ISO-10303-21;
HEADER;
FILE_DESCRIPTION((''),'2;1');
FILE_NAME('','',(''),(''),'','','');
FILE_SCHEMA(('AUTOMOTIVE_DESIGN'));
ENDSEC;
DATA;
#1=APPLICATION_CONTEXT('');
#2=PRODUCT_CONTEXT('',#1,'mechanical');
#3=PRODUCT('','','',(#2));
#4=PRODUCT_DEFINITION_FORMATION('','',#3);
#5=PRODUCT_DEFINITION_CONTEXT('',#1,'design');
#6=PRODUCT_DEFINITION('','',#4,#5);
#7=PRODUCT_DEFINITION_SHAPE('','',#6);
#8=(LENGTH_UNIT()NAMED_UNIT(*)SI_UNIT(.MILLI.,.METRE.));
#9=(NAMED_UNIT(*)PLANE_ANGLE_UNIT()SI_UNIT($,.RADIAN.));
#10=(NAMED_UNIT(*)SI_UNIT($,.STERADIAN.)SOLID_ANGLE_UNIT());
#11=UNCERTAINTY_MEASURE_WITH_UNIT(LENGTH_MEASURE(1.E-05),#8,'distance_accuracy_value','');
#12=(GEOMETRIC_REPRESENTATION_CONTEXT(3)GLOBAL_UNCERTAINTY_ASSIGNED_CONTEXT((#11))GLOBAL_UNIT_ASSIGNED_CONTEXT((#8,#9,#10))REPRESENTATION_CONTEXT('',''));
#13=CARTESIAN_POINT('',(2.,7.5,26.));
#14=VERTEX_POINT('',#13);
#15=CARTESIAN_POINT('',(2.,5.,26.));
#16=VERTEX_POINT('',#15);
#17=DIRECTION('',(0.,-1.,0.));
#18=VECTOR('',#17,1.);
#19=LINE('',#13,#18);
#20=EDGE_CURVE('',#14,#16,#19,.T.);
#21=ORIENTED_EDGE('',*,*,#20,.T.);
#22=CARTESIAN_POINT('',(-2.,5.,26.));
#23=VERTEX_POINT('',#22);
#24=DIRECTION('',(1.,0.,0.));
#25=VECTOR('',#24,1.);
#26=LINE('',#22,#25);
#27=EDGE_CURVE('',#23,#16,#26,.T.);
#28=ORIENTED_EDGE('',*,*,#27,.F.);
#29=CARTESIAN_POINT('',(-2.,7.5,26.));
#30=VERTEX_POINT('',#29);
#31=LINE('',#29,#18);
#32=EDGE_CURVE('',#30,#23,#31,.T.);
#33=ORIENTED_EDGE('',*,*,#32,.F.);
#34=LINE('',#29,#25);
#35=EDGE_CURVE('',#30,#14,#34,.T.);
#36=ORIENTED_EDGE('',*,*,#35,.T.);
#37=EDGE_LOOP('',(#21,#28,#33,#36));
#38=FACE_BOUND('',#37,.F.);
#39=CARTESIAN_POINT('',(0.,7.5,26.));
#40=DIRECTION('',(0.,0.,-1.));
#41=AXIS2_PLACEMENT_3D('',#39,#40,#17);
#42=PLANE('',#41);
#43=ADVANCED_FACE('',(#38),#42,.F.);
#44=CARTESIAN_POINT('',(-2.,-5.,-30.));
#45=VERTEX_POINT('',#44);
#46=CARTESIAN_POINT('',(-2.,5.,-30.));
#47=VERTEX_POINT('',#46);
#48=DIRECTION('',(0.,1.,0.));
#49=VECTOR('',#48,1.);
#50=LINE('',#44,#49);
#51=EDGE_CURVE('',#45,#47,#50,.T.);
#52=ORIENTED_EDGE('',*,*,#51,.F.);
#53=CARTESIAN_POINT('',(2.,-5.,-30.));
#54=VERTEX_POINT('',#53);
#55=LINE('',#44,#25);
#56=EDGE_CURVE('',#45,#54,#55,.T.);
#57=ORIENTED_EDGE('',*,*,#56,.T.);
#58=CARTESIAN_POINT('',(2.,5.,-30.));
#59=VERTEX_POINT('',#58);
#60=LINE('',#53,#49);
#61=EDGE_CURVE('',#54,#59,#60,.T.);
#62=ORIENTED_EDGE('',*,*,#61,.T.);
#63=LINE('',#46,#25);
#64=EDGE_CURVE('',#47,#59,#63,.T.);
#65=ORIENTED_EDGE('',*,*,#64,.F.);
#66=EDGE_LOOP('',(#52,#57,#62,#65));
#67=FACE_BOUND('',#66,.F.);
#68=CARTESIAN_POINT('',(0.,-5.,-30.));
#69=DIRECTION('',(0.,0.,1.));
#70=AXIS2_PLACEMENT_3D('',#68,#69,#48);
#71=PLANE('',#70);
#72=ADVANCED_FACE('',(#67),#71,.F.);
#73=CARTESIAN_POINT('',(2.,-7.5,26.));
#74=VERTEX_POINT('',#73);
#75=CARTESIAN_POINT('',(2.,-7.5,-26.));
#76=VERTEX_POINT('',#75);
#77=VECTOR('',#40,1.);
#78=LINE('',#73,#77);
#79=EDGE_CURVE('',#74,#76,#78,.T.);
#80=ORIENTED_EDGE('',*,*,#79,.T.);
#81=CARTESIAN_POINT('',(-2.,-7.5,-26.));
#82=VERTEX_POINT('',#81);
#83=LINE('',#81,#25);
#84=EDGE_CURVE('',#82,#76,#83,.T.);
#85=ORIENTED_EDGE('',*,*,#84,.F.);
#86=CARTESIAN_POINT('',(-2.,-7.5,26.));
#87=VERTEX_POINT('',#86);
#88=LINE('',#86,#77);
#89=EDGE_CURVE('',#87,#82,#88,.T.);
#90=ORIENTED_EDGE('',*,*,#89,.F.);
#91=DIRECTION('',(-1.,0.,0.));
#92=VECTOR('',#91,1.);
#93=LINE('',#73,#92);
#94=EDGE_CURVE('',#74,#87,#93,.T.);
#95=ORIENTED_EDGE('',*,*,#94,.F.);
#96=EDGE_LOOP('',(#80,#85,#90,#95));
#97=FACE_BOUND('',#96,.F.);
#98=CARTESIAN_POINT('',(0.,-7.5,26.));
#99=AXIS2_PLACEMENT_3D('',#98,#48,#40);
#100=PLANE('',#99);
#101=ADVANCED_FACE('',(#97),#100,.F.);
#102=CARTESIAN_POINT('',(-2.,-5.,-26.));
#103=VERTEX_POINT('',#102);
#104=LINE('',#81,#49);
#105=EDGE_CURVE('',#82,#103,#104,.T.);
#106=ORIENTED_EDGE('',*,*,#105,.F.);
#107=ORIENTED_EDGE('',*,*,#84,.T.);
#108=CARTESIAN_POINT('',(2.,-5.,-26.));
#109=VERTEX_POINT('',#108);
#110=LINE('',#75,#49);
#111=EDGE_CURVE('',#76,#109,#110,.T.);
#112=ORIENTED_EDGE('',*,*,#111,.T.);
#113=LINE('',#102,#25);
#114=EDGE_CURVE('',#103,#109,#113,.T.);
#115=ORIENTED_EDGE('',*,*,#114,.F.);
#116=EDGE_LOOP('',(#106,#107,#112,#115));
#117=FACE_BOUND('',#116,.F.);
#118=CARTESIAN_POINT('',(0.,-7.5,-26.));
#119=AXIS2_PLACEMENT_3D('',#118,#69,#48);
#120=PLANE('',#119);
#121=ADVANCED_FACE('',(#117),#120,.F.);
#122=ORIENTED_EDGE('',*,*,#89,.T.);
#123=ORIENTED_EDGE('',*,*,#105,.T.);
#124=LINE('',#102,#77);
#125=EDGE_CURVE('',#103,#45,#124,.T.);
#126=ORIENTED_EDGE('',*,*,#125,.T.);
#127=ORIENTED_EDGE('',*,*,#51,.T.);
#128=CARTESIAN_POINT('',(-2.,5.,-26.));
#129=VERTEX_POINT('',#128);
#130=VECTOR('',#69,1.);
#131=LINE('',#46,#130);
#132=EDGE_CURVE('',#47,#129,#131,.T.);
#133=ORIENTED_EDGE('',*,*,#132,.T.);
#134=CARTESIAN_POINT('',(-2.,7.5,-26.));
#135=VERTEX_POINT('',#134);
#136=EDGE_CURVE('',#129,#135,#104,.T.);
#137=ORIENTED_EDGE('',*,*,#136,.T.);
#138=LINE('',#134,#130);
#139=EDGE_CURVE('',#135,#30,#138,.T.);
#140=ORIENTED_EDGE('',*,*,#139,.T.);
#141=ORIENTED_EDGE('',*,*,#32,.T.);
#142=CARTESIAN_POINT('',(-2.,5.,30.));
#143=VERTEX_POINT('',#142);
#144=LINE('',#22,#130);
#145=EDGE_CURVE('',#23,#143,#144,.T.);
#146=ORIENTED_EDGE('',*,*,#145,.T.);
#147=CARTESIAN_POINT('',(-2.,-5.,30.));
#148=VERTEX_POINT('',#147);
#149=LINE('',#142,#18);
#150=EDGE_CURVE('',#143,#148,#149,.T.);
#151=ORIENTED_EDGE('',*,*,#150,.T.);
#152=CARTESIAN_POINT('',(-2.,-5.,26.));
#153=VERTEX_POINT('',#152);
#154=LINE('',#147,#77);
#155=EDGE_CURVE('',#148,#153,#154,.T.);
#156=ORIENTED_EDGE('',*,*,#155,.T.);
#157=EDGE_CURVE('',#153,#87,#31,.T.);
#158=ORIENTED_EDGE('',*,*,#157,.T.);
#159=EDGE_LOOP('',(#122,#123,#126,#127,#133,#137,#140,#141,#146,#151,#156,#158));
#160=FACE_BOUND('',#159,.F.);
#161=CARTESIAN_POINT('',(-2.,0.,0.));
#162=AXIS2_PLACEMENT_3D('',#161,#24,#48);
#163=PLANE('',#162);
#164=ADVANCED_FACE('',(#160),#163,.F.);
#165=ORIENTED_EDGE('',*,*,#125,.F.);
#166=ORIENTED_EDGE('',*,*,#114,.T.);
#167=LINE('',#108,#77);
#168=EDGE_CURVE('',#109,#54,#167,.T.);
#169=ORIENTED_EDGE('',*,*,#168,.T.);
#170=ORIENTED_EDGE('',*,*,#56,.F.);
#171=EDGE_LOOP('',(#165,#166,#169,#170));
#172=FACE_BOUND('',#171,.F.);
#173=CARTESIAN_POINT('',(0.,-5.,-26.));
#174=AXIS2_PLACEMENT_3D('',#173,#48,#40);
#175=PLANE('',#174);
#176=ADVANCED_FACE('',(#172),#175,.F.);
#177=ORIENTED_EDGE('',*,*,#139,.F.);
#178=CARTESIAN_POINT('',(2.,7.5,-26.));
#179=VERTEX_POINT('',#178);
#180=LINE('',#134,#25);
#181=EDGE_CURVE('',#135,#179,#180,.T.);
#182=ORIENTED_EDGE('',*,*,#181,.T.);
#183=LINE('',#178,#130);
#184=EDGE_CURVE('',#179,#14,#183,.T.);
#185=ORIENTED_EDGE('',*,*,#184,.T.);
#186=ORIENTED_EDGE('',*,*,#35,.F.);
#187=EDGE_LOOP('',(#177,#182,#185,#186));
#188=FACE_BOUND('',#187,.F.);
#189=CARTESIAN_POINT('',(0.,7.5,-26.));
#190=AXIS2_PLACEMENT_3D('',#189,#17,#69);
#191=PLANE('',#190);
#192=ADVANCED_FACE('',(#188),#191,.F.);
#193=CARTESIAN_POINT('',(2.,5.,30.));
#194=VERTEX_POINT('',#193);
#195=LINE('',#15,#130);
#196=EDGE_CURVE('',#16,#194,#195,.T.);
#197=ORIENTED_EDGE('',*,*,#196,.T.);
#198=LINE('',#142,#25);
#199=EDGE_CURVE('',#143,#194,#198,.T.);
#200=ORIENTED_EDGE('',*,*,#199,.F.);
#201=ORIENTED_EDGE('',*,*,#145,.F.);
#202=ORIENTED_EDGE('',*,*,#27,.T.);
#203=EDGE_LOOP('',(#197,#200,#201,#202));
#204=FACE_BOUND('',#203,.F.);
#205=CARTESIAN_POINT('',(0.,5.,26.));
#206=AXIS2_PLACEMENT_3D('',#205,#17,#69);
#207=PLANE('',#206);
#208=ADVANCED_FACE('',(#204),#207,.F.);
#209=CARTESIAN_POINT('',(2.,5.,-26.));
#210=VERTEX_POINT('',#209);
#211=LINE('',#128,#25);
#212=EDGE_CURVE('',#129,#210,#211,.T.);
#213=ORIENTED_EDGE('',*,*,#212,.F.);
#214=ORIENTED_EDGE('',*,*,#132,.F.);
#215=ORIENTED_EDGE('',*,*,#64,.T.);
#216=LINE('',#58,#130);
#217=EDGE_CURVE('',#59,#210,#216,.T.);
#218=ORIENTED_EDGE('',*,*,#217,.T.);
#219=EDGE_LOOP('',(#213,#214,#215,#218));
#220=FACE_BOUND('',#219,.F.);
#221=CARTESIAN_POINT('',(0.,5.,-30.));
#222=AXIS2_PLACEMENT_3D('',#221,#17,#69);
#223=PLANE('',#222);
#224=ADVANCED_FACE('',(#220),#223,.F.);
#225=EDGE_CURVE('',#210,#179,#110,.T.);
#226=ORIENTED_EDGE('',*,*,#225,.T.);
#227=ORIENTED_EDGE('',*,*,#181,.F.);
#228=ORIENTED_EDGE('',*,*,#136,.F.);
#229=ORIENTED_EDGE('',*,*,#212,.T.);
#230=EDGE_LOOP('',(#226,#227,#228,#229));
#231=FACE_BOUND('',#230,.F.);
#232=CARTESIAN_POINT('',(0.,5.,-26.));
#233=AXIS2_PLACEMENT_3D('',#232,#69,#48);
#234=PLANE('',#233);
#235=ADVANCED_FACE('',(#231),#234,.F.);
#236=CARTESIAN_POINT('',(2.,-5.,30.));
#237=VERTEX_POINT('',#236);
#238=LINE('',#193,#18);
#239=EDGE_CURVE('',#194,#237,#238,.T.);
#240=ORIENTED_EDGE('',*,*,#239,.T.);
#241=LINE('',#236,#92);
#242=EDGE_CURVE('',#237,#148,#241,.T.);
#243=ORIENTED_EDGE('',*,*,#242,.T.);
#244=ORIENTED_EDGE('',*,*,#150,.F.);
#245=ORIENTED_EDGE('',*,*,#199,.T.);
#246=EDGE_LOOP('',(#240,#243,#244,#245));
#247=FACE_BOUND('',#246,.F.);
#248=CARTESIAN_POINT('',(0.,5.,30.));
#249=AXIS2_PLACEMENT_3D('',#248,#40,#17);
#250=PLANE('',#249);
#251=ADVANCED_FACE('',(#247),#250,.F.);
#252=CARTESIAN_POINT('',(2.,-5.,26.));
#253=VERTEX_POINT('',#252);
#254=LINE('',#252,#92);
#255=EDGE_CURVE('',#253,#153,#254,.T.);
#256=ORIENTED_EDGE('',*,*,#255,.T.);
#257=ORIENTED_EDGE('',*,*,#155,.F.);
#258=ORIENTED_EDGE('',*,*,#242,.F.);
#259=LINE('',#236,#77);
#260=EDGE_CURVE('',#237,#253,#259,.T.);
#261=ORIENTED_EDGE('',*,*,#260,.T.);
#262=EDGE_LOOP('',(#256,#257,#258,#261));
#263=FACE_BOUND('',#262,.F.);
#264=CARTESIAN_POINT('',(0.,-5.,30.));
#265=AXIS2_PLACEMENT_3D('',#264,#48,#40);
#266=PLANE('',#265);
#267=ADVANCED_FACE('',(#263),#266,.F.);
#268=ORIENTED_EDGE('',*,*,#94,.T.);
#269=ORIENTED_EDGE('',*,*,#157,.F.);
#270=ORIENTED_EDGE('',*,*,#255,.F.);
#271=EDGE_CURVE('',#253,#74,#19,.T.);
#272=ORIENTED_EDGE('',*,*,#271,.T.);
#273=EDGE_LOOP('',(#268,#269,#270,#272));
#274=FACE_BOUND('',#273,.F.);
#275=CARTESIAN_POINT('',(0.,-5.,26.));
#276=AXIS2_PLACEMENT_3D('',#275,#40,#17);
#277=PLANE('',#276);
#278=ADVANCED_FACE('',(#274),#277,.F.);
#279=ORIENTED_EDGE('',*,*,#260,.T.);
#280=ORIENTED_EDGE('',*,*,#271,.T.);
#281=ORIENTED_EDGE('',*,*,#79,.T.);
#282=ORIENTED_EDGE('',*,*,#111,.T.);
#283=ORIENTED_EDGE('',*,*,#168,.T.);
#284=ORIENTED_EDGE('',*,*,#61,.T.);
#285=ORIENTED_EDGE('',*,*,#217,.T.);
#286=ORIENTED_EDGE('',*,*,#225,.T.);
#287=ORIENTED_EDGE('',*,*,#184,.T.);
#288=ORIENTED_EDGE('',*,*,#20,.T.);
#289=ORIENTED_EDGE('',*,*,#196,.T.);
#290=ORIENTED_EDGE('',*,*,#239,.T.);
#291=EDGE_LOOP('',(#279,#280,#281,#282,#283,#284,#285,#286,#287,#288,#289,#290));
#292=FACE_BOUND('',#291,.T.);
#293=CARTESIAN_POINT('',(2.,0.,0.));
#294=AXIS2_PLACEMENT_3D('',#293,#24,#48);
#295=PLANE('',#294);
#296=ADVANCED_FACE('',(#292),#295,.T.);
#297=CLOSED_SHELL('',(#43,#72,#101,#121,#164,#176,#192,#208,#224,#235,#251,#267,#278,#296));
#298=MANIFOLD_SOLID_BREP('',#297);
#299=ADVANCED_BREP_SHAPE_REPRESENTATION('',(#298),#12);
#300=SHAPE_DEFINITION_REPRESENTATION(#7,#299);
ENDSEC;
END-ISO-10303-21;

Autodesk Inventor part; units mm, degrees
ref_plane "YZ Plane" through (0, 0, 0) normal (1, 0, 0) x (0, 1, 0)
ref_plane "XZ Plane" through (0, 0, 0) normal (0, 1, 0) x (-1, 0, 0)
ref_plane "XY Plane" through (0, 0, 0) normal (0, 0, 1) x (1, 0, 0)
sketch "Эскиз1" plane through (0, 0, 0) normal (1, 0, 0) x (0, 1, 0)
  line L0 (0, -42) -> (0, 42) construction
  line L1 (-7.5, -26) -> (7.5, -26)
  line L2 (7.5, -26) -> (7.5, 26)
  line L3 (7.5, 26) -> (-7.5, 26)
  line L4 (-7.5, 26) -> (-7.5, -26)
  line L5 (-7.5, -26) -> (7.5, 26) construction
  line L6 (7.5, -26) -> (-7.5, 26) construction
  line L7 (5, 30) -> (-5, 30)
  line L8 (-5, 30) -> (-5, 26)
  line L9 (-5, 26) -> (5, 26)
  line L10 (5, 26) -> (5, 30)
  line L11 (5, -26) -> (-5, -26)
  line L12 (-5, -26) -> (-5, -30)
  line L13 (-5, -30) -> (5, -30)
  line L14 (5, -30) -> (5, -26)
  point P0 (0, 0)
  dimension "d3" = 15
  dimension "d4" = 60
  dimension "d5" = 4
  dimension "d6" = 10
extrude "Выдавливание1" add sketch "Эскиз1" along normal mid plane 4
properties part number "Кусочек барабана"
